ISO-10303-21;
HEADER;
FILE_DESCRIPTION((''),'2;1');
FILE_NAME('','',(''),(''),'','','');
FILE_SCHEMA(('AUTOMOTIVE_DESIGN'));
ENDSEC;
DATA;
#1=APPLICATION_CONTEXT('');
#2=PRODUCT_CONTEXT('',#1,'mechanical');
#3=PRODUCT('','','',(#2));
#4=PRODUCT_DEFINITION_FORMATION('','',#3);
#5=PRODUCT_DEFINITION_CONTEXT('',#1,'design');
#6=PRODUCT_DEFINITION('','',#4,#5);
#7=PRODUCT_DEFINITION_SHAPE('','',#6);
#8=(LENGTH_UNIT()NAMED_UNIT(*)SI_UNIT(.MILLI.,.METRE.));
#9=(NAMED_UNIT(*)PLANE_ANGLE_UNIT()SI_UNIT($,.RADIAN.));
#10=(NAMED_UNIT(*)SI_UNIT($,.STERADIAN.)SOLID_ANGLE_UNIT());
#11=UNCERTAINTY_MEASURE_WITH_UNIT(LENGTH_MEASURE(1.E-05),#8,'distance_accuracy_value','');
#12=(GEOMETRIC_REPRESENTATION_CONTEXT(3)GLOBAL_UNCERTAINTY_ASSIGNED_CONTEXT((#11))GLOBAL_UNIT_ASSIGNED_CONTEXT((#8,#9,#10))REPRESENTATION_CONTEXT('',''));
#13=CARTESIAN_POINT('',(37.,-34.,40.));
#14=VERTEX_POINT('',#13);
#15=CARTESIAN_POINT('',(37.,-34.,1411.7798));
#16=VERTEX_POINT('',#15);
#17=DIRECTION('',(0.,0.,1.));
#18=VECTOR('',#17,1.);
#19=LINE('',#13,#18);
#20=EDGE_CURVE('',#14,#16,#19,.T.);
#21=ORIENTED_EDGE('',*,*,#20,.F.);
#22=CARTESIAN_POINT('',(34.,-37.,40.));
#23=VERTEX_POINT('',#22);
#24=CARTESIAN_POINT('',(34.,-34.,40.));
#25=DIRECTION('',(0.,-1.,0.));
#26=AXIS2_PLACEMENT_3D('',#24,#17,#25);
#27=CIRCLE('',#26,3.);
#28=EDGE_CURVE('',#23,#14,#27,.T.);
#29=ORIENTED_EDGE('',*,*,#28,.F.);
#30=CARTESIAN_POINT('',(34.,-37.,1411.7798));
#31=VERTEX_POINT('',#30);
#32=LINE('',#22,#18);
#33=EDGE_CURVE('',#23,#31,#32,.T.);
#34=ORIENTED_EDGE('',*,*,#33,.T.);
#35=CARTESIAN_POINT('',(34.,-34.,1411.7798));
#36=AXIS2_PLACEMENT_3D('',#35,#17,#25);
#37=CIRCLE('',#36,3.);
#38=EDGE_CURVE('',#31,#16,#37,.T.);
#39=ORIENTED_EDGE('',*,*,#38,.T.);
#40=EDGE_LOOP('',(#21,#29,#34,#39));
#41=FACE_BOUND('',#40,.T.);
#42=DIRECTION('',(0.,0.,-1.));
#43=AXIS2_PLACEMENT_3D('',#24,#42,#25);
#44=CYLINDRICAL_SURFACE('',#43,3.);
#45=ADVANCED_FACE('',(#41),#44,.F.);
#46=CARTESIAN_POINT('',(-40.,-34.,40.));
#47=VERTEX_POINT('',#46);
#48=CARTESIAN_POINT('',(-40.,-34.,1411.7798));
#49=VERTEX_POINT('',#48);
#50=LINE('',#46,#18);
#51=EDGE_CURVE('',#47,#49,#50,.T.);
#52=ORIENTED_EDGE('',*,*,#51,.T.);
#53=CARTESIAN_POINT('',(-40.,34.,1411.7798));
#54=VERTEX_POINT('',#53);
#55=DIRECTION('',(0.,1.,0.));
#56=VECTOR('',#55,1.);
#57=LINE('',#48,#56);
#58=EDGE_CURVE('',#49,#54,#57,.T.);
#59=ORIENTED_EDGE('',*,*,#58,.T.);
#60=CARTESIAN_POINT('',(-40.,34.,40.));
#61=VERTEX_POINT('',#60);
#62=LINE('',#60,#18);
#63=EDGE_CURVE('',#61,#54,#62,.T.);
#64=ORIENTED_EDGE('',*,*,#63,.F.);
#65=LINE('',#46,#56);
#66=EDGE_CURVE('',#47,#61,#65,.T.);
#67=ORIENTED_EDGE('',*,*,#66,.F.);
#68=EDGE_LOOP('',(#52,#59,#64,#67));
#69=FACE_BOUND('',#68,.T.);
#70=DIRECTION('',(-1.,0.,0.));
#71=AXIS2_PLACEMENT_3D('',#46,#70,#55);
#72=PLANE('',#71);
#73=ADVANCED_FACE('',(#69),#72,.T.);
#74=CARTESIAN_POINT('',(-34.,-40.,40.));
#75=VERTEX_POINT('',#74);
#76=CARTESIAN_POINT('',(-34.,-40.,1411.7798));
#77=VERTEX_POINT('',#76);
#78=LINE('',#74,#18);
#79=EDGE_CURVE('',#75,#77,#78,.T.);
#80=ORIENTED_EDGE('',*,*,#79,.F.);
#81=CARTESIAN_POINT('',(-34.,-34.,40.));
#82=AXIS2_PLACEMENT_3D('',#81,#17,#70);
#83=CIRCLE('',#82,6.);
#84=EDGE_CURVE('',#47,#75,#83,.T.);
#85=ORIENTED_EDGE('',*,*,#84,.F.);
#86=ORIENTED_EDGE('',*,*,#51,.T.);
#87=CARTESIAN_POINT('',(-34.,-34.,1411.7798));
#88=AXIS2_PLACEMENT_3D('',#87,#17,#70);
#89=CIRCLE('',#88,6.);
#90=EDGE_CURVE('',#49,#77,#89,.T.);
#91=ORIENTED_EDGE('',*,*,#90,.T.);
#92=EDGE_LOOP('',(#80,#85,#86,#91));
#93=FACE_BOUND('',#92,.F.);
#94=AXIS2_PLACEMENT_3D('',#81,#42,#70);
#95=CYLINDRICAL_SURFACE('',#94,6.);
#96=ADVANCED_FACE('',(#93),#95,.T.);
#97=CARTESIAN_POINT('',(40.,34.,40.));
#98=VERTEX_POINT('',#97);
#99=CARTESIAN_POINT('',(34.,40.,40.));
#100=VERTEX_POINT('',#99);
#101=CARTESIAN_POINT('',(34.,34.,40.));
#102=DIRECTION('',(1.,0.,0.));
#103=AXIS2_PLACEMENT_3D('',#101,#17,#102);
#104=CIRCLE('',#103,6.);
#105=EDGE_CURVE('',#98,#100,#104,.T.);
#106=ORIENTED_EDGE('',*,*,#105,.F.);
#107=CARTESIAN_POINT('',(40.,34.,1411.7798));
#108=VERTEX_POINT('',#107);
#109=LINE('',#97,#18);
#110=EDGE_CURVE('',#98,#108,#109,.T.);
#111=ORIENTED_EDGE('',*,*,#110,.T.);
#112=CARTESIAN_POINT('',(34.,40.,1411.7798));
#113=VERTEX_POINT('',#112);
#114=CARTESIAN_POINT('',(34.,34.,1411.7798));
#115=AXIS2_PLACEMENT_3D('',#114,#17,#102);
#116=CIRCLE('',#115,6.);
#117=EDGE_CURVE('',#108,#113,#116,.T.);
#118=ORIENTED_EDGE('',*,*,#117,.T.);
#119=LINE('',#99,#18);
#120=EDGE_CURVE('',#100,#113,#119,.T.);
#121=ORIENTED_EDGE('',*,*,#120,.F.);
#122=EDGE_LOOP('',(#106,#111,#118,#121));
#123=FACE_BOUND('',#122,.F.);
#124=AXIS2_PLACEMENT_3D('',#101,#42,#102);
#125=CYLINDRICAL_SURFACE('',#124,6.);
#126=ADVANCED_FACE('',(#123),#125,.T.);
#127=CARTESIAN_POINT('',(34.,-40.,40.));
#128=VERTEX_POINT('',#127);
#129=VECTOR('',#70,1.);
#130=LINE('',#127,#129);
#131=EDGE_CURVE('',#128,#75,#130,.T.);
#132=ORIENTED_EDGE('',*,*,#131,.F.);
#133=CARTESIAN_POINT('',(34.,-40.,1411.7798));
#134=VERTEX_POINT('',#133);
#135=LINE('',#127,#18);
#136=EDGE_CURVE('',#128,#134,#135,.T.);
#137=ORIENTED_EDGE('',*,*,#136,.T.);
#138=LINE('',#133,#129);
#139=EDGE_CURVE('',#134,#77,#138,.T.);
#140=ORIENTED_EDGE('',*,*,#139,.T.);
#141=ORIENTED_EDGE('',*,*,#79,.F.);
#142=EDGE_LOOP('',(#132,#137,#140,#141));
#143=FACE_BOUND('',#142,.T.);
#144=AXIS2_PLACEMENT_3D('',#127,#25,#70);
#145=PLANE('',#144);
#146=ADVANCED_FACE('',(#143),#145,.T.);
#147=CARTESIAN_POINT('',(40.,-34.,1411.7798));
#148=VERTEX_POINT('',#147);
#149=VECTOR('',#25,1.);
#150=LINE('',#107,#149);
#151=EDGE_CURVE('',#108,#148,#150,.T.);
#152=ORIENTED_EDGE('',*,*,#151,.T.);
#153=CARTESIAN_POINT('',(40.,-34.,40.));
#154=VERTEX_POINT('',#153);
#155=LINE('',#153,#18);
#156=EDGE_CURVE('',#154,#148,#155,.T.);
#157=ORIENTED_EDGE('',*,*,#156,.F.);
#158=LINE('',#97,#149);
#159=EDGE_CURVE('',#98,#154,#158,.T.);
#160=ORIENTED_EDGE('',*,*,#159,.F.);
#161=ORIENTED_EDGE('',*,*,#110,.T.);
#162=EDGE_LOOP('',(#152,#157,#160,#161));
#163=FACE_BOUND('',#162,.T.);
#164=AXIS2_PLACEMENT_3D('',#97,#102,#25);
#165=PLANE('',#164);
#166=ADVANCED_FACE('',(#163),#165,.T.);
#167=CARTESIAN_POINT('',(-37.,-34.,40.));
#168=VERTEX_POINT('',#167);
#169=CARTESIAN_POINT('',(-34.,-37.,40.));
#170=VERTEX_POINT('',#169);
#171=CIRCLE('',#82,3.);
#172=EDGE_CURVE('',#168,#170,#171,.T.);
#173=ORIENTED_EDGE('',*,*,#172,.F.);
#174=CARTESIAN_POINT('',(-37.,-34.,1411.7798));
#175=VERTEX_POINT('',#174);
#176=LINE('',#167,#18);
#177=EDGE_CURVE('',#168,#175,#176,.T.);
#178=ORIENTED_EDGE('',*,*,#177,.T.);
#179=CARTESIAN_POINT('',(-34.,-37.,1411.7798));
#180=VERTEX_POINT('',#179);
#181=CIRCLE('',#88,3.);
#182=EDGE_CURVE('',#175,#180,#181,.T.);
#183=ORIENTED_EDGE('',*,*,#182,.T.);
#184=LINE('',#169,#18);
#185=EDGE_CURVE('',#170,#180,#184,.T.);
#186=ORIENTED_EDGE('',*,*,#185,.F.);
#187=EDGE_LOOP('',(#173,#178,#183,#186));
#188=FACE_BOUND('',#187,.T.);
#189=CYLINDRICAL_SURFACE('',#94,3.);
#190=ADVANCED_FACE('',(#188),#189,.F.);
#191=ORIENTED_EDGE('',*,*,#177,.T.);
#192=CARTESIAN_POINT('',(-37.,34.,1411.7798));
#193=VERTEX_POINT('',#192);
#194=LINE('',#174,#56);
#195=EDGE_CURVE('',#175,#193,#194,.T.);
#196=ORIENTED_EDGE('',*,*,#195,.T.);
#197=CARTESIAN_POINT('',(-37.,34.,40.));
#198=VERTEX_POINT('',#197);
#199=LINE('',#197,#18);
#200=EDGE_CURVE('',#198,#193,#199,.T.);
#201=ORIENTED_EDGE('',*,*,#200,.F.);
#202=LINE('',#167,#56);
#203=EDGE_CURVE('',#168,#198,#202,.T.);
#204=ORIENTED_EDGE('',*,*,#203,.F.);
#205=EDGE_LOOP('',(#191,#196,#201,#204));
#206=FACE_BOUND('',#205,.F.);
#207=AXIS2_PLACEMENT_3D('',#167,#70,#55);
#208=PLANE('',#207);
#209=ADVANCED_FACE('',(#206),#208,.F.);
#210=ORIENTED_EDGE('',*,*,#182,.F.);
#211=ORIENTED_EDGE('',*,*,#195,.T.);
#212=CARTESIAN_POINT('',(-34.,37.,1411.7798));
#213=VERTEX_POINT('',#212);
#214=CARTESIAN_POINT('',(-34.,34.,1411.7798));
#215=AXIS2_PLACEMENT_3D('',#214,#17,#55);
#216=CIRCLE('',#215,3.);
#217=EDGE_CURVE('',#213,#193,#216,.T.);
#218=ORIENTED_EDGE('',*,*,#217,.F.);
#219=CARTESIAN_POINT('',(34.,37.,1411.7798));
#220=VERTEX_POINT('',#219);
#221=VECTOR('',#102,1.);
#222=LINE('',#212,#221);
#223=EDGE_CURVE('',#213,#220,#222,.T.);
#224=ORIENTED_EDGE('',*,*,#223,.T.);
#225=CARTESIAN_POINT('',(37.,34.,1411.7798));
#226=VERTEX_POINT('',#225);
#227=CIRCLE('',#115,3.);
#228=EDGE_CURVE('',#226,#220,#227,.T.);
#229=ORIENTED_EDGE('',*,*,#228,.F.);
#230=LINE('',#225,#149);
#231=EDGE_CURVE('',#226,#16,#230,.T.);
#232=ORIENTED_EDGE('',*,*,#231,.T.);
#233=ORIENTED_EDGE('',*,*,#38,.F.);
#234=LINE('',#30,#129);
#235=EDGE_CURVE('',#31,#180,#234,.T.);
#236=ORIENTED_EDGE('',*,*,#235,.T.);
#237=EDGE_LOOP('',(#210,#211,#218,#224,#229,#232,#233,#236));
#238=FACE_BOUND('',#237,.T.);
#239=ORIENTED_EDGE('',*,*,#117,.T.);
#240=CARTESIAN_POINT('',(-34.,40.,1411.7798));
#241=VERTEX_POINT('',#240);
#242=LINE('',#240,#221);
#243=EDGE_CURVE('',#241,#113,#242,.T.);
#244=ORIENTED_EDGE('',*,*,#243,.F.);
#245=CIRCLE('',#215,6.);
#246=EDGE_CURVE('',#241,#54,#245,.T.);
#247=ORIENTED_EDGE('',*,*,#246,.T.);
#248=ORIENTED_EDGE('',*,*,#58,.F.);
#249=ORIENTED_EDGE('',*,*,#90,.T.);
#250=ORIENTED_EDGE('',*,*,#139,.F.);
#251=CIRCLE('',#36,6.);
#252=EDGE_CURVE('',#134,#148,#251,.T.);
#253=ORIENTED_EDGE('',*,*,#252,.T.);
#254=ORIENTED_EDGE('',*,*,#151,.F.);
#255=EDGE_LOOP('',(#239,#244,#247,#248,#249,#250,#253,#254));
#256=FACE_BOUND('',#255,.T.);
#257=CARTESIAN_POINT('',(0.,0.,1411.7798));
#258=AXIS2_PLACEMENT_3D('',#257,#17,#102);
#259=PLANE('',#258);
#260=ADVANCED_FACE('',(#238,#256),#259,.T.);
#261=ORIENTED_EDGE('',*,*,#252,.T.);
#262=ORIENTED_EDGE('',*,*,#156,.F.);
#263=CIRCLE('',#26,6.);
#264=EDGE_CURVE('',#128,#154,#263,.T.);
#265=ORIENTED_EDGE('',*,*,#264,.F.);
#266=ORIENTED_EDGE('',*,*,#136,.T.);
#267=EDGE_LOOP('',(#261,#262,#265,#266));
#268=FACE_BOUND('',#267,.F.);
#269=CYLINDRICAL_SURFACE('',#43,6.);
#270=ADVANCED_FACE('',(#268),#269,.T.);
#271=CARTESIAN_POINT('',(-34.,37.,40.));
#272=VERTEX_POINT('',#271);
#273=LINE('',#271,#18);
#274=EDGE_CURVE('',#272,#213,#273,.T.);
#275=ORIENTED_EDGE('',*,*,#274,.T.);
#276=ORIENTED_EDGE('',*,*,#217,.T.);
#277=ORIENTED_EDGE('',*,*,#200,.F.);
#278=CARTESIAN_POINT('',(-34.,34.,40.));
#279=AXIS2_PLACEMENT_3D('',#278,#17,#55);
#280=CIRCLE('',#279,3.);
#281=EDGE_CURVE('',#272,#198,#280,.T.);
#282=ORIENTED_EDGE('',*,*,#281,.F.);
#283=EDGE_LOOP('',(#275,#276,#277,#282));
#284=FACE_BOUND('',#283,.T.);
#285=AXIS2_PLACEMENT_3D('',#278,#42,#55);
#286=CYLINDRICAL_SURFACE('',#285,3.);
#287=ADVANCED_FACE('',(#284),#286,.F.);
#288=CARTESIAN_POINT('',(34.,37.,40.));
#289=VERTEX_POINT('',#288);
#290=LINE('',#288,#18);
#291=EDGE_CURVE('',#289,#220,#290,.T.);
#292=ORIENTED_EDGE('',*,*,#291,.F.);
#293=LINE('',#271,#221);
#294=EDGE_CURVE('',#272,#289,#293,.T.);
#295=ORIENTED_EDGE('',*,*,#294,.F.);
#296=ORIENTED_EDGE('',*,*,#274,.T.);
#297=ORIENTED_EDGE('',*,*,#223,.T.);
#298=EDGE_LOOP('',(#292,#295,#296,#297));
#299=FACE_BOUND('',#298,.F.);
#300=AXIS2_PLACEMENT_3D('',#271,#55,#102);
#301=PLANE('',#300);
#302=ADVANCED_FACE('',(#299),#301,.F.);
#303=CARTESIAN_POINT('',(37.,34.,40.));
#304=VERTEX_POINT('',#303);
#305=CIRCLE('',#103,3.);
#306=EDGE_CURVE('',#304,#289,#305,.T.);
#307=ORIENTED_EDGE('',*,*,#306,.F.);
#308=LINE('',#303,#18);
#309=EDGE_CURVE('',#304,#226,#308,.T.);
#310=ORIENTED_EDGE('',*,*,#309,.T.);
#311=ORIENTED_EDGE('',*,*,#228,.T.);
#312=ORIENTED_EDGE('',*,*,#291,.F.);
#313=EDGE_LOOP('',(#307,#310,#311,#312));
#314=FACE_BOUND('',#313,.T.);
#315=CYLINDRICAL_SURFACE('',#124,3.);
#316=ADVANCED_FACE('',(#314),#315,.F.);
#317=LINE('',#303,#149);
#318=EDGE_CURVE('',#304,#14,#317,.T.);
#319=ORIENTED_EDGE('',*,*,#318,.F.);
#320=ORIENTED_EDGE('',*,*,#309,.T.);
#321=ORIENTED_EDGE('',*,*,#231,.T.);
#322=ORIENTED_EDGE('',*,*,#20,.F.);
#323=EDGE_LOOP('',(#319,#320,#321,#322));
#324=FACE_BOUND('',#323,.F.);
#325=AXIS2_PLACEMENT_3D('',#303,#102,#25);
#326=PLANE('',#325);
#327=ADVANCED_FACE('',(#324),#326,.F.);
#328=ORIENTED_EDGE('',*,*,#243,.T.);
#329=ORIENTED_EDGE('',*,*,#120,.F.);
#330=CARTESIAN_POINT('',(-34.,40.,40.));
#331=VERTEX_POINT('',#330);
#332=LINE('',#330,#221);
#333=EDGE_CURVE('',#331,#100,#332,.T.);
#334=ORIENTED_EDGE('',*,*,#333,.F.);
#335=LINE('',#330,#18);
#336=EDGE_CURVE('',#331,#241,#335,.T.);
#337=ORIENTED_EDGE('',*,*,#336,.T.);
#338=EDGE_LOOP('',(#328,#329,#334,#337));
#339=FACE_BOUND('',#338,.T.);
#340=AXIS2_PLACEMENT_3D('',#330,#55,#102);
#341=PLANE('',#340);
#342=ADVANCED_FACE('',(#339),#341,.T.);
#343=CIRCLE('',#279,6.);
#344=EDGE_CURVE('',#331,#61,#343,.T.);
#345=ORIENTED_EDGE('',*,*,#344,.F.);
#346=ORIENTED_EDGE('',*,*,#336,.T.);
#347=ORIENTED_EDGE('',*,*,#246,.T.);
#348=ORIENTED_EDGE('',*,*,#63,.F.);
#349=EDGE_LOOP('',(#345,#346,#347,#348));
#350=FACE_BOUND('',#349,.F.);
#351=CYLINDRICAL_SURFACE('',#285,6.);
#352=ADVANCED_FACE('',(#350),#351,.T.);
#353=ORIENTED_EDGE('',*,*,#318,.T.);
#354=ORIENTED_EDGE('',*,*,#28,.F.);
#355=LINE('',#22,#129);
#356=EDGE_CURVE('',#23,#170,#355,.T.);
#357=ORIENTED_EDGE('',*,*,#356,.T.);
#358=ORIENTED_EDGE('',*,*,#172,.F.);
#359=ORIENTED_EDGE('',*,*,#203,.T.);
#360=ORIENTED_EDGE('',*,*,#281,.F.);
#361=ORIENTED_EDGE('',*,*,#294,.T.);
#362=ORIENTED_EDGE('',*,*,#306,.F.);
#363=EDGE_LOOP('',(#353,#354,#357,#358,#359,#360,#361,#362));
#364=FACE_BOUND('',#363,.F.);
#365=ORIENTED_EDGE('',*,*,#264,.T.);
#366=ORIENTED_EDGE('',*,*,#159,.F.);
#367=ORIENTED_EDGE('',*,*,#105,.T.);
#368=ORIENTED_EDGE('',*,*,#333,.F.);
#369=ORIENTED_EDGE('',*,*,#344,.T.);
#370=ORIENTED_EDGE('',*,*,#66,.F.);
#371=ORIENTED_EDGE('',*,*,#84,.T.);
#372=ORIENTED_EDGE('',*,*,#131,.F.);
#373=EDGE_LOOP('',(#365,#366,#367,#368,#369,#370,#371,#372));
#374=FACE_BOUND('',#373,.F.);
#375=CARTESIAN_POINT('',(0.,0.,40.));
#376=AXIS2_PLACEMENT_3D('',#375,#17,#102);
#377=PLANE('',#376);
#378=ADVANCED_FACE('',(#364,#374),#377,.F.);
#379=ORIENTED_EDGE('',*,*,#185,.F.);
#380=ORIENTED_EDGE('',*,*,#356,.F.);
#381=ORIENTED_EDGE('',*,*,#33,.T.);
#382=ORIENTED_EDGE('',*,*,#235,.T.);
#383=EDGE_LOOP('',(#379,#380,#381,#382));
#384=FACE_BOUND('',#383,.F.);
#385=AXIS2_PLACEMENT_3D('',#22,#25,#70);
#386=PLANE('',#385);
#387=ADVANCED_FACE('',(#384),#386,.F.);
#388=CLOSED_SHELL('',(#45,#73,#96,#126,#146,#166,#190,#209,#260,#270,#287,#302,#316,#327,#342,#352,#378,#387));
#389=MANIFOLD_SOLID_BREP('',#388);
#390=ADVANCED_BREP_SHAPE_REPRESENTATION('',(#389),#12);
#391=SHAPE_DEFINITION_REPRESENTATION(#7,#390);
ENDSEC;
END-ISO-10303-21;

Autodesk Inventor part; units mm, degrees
ref_plane "YZ Plane" through (0, 0, 0) normal (1, 0, 0) x (0, 1, 0)
ref_plane "Start Plane" through (0, 0, 40) normal (0, 0, 1) x (1, 0, 0)
ref_plane "End Plane" through (0, 0, 1411.7798) normal (0, 0, 1) x (1, 0, 0)
sketch "Sketch" plane through (0, 0, 0) normal (0, 0, 1) x (1, 0, 0)
  line L0 (-40, -34) -> (-40, 34)
  line L1 (-34, 40) -> (34, 40)
  line L2 (40, 34) -> (40, -34)
  line L3 (34, -40) -> (-34, -40)
  arc A0 (-40, -34) -> (-34, -40) centre (-34, -34) ccw
  arc A1 (40, 34) -> (34, 40) centre (34, 34) ccw
  arc A2 (-34, 40) -> (-40, 34) centre (-34, 34) ccw
  arc A3 (34, -40) -> (40, -34) centre (34, -34) ccw
  arc A4 (-34, 37) -> (-37, 34) centre (-34, 34) ccw
  line L4 (-34, 37) -> (34, 37)
  arc A5 (37, 34) -> (34, 37) centre (34, 34) ccw
  line L5 (37, 34) -> (37, -34)
  arc A6 (34, -37) -> (37, -34) centre (34, -34) ccw
  line L6 (34, -37) -> (-34, -37)
  arc A7 (-37, -34) -> (-34, -37) centre (-34, -34) ccw
  line L7 (-37, -34) -> (-37, 34)
  line L8 (0, 57.7397) -> (0, -57.7397) construction
  line L9 (-57.7397, 0) -> (57.7397, 0) construction
  dimension "d7" = 6
  dimension "d9" = 80
  dimension "d11" = 80
  dimension "d12" = 3
  dimension "d15" = 40
  dimension "d16" = 40
extrude "Body" add sketch "Sketch" along normal up to surface (1371.7798 mm away) from surface at 40
sketch "Sketch3" plane through (0, 0, 0) normal (0, 0, 1) x (1, 0, 0)
  line L0 (0, 0) -> (10, 0)
ref_plane "Work Plane3" through (0, 0, 0) normal (0, -1, 0) x (1, 0, 0)
sketch "Sketch4" plane through (0, 0, 0) normal (0, -1, 0) x (1, 0, 0)
  line L0 (-2, 40) -> (12, 40) projected
  line L1 (-2, 1411.7798) -> (12, 1411.7798) projected
  dimension "d18" = 1371.7798
equation "\"d7\" = G_IR"
equation "\"d9\" = G_W"
equation "\"d11\" = G_H"
equation "\"d12\" = G_T"
equation "\"d15\" = 0.5 * d9"
equation "\"d16\" = 0.5 * d11"
equation "\"d3\" = G_L"
equation "\"G_W\" = 80"
equation "\"G_H\" = 80"
equation "\"G_T\" = 3"
equation "\"G_IR\" = 6"
equation "\"G_L\" = d18"
equation "\"d14\" = G_OFFSET_END + B_L"
equation "\"B_L\" = 1451.77979"
equation "\"G_OFFSET_END\" = -40"
properties part number "ISO 10799-2 - 80x80x3 - 1371,78" material "Steel, Mild"
